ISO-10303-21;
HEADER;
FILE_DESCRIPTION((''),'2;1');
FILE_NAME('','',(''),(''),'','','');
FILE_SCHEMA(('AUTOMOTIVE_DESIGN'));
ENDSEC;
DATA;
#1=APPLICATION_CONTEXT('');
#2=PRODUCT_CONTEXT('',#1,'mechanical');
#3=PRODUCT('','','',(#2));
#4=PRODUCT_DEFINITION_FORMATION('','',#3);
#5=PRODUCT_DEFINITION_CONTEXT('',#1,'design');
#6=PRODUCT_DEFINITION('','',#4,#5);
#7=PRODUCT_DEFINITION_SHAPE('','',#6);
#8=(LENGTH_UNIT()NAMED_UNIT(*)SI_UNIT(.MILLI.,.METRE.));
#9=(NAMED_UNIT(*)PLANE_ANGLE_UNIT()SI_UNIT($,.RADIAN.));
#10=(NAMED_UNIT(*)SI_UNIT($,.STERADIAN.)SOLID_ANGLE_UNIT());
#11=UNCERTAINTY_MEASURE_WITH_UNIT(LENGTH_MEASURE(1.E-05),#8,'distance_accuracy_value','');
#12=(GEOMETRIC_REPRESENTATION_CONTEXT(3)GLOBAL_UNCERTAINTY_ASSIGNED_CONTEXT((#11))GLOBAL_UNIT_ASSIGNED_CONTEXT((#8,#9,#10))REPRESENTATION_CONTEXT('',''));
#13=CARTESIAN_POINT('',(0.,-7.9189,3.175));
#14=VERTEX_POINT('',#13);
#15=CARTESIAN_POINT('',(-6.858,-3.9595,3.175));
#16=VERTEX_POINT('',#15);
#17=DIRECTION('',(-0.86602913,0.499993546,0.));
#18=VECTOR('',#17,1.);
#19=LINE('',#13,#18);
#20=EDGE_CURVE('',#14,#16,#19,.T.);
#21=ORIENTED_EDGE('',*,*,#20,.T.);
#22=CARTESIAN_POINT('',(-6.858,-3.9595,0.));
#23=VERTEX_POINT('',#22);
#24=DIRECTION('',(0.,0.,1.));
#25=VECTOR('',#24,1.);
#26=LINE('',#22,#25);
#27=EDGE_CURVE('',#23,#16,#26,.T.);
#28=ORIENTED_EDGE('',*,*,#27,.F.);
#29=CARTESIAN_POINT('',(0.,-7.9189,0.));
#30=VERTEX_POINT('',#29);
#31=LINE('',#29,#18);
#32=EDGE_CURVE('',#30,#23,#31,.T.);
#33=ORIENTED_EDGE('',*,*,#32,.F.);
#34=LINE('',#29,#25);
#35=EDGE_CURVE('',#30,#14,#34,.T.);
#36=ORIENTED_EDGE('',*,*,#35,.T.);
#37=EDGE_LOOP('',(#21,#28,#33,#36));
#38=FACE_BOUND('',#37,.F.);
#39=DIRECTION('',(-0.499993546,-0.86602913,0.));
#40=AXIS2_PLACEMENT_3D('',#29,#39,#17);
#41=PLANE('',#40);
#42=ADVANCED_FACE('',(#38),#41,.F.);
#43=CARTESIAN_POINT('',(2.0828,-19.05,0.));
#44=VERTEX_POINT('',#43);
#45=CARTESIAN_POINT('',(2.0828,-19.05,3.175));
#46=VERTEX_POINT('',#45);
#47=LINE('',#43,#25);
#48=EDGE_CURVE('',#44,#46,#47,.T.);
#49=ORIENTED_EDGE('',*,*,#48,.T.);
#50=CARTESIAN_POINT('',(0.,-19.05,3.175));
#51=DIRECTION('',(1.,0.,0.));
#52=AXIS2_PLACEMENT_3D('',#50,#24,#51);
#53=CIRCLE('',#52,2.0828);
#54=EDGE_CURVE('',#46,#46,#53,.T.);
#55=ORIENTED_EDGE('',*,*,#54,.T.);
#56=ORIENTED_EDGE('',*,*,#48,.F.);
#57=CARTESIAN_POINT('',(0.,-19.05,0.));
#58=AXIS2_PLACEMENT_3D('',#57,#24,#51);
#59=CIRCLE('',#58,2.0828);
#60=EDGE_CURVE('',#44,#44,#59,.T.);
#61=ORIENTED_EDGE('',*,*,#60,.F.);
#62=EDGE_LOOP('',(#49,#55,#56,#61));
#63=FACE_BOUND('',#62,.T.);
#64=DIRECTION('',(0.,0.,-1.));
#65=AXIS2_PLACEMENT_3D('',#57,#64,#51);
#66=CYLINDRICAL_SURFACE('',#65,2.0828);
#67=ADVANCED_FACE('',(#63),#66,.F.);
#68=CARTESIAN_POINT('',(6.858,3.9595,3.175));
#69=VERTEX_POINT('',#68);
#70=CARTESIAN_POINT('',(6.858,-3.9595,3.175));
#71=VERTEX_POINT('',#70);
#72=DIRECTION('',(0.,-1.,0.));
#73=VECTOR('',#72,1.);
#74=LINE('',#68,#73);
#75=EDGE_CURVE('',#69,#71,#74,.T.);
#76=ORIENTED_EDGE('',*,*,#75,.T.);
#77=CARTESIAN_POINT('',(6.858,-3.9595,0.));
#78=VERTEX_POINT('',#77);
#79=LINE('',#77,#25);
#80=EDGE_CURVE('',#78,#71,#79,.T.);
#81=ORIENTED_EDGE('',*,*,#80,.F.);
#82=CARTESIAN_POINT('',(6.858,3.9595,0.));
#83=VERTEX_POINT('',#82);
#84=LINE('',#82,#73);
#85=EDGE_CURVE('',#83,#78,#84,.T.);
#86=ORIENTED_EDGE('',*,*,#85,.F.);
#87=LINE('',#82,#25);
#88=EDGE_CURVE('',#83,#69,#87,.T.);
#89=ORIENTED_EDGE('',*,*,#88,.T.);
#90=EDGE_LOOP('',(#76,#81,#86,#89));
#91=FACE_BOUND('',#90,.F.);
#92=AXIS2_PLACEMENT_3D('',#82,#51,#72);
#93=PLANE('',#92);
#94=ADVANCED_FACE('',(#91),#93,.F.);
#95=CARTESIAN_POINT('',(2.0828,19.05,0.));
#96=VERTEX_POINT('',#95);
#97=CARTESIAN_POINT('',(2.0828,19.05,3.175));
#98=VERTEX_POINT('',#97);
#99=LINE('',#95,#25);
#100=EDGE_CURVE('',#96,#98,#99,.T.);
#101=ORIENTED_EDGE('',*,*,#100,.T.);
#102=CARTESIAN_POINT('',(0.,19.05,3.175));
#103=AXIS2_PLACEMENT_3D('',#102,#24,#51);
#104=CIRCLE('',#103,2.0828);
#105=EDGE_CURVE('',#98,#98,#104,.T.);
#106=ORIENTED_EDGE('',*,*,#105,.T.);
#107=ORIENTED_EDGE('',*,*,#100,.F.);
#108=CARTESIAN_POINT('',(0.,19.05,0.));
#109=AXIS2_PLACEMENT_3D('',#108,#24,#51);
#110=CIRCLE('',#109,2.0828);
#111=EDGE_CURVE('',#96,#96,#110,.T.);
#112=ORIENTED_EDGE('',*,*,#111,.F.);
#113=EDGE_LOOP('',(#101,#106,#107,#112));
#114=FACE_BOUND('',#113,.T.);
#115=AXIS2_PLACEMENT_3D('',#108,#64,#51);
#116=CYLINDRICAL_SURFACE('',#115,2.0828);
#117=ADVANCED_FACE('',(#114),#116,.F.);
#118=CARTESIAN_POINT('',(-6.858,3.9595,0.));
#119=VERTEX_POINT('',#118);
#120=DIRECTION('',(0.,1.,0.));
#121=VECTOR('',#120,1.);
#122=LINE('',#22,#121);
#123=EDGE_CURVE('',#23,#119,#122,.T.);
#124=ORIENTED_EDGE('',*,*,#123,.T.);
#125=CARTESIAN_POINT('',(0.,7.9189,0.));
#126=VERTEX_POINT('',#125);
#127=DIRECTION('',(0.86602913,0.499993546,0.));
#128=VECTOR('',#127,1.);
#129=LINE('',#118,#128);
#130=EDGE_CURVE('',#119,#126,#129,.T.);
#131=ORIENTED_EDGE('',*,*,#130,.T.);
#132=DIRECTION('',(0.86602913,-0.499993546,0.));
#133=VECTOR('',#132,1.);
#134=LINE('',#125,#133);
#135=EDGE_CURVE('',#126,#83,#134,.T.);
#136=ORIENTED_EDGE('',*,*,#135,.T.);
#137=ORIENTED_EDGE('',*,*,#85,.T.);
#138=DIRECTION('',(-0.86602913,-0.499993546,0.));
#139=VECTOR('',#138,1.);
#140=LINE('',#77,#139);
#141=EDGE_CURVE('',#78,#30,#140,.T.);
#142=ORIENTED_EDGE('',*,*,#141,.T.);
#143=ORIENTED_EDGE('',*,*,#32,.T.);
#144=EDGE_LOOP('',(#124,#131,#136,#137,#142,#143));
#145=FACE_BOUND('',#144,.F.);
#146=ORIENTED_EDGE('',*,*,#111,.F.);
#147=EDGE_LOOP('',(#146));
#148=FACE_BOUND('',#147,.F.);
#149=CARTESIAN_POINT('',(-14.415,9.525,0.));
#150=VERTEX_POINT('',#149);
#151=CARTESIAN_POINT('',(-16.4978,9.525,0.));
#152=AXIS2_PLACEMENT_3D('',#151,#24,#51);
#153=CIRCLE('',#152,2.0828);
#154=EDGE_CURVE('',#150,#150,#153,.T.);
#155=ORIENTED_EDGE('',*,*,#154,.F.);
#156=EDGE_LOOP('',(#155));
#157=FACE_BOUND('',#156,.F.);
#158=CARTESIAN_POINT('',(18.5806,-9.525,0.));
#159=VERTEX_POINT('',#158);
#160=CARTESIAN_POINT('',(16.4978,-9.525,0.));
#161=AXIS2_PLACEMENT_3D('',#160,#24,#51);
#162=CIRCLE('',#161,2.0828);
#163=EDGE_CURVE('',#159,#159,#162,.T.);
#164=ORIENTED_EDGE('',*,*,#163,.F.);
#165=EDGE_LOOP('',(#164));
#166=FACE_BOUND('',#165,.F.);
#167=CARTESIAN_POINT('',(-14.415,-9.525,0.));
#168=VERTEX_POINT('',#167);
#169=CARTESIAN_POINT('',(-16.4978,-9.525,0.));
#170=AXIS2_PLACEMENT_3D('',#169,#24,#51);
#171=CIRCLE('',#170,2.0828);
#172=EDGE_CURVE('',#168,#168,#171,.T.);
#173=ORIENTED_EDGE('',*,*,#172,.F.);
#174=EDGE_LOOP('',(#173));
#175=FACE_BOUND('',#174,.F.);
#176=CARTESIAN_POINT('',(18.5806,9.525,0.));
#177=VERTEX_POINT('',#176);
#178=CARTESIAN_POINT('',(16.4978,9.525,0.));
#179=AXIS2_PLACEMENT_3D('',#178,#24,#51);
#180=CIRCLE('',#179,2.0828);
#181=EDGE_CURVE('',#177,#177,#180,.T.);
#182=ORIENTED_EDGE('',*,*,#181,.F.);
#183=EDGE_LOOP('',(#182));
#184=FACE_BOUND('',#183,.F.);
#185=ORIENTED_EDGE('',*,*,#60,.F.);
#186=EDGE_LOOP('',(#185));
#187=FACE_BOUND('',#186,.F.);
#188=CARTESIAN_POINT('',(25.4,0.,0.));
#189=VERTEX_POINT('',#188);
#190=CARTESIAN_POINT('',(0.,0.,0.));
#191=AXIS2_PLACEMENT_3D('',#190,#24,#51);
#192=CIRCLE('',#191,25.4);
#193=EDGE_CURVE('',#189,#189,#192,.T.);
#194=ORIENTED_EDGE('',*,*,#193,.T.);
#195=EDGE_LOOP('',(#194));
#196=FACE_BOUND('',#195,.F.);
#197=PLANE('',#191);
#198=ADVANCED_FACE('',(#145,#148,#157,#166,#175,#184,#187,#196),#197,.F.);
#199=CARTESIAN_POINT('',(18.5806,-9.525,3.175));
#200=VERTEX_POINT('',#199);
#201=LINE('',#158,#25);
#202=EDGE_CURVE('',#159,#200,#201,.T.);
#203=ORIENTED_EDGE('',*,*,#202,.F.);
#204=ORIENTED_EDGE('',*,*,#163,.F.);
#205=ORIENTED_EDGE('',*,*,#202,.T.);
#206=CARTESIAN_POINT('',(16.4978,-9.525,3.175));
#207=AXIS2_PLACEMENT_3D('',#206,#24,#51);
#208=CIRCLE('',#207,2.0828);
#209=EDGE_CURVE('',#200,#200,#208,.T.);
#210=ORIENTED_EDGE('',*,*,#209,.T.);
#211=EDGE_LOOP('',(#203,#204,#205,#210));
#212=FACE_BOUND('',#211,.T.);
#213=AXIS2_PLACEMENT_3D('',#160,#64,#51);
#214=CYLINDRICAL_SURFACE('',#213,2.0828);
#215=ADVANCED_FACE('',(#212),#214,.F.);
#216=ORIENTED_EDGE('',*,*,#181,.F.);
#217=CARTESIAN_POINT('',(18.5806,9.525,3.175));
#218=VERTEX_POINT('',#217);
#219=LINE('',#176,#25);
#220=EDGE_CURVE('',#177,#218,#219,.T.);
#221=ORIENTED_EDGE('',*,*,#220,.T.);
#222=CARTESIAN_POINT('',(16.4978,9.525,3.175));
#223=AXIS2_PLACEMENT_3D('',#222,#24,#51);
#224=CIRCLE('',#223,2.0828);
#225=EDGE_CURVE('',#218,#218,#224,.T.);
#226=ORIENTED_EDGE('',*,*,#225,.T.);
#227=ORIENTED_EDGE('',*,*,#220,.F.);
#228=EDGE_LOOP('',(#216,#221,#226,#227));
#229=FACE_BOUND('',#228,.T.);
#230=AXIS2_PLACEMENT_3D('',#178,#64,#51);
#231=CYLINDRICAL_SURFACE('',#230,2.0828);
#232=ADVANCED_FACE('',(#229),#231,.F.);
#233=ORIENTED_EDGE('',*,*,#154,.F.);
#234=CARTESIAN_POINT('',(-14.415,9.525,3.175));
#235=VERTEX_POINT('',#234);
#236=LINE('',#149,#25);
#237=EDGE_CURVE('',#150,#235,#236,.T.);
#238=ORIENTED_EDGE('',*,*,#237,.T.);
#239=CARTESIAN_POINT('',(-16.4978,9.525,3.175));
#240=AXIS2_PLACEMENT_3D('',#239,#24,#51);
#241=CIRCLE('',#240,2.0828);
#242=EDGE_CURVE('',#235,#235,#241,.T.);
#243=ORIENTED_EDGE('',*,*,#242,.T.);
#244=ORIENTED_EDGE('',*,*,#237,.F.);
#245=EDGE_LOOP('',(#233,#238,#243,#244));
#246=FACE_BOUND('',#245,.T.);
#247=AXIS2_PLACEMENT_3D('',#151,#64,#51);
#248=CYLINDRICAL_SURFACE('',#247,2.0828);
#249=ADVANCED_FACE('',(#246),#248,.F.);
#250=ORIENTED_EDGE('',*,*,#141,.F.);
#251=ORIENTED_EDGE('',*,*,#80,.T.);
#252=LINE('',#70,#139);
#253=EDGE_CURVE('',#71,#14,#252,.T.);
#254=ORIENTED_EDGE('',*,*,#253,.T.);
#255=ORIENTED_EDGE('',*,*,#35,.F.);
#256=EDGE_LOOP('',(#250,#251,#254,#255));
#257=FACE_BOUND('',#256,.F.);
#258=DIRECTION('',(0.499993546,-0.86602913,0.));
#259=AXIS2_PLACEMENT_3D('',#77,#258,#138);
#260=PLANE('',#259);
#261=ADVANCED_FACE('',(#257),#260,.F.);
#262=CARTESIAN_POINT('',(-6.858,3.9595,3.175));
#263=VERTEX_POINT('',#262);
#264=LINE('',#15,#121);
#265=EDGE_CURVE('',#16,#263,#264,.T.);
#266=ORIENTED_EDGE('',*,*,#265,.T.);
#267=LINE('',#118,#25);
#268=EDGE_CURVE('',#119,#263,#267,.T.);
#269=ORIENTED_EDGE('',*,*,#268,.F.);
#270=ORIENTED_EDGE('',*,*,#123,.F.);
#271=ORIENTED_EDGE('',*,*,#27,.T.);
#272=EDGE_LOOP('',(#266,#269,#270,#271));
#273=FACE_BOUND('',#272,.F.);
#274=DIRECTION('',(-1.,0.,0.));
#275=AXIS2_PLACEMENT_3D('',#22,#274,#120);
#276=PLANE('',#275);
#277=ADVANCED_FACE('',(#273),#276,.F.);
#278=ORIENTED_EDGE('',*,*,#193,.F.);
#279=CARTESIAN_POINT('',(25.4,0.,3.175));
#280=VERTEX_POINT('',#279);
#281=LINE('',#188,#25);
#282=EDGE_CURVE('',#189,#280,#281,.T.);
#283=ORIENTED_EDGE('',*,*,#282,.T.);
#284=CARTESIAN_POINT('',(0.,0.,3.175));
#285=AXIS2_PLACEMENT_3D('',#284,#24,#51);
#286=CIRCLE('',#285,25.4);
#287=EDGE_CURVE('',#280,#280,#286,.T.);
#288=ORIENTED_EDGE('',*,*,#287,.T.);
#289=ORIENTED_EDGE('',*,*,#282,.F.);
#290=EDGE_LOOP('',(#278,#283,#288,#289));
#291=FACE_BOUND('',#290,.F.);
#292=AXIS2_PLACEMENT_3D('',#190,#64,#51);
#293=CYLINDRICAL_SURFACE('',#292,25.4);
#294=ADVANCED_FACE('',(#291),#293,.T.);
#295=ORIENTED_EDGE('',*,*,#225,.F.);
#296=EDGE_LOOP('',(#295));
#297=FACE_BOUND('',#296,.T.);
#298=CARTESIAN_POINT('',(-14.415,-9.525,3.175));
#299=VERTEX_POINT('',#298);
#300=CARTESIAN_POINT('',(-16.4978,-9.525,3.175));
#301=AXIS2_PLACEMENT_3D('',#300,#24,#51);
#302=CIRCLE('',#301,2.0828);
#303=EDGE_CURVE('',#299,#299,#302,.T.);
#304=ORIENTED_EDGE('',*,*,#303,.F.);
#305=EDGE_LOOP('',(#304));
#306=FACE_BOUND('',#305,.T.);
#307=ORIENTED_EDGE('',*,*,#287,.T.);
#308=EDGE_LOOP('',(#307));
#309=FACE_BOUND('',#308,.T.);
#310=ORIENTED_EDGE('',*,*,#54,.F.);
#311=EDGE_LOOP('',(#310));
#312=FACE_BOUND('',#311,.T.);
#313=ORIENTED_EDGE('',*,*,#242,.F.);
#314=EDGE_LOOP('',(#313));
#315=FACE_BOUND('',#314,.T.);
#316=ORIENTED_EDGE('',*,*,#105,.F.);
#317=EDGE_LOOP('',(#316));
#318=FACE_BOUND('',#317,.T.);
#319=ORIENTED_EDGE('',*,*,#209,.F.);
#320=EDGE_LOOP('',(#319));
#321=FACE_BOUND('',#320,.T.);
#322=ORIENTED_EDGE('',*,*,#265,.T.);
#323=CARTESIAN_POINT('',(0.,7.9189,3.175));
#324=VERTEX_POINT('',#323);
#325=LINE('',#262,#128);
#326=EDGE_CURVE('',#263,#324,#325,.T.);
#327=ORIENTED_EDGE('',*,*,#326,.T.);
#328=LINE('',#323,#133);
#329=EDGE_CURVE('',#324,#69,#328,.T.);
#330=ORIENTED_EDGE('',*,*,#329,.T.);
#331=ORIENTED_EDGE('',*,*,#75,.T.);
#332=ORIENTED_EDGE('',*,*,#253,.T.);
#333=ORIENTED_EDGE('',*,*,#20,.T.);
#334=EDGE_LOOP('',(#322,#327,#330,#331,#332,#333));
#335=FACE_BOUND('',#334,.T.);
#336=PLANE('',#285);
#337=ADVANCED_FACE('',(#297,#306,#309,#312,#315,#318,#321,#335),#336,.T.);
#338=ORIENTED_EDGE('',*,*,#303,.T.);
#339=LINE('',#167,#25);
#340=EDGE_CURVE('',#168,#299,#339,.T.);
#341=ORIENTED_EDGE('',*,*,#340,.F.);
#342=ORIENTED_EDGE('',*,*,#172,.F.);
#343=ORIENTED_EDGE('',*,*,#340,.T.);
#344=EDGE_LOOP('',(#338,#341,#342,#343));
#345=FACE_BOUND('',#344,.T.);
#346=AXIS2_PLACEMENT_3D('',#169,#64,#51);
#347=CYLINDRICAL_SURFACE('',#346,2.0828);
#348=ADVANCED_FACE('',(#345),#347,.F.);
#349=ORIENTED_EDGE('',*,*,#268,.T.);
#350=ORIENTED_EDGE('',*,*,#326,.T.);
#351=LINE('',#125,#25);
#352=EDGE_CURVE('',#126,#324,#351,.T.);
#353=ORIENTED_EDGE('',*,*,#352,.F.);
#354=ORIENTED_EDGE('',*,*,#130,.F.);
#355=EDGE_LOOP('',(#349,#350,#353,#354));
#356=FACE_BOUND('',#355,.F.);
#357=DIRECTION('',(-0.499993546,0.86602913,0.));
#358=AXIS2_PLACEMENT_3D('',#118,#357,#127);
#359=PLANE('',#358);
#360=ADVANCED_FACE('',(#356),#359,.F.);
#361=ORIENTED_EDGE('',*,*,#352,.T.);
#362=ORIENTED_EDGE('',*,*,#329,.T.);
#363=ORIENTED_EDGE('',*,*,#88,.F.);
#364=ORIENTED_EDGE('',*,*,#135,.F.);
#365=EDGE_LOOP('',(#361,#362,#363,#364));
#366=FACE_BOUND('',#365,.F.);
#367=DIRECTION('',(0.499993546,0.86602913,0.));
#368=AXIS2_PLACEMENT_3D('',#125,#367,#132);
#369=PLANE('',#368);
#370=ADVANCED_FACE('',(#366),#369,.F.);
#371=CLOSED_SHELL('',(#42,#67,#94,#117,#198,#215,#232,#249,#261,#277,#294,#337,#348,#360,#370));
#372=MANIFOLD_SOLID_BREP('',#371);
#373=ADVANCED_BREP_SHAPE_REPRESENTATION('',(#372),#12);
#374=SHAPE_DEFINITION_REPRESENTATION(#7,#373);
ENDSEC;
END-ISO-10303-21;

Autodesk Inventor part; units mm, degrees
ref_plane "YZ Plane" through (0, 0, 0) normal (1, 0, 0) x (0, 1, 0)
ref_plane "XZ Plane" through (0, 0, 0) normal (0, 1, 0) x (-1, 0, 0)
ref_plane "XY Plane" through (0, 0, 0) normal (0, 0, 1) x (1, 0, 0)
sketch "Sketch1" plane through (0, 0, 0) normal (0, 0, 1) x (1, 0, 0)
  circle A0 centre (0, 0) radius 25.4
  circle A1 centre (0, 19.05) radius 2.0828
  line L0 (0, 0) -> (0, 19.05) construction
  circle A2 centre (-16.4978, 9.525) radius 2.0828
  circle A3 centre (-16.4978, -9.525) radius 2.0828
  circle A4 centre (0, -19.05) radius 2.0828
  circle A5 centre (16.4978, -9.525) radius 2.0828
  circle A6 centre (16.4978, 9.525) radius 2.0828
  line L1 (6.858, -3.9595) -> (0, -7.9189)
  line L2 (0, -7.9189) -> (-6.858, -3.9595)
  line L3 (-6.858, -3.9595) -> (-6.858, 3.9595)
  line L4 (-6.858, 3.9595) -> (0, 7.9189)
  line L5 (0, 7.9189) -> (6.858, 3.9595)
  line L6 (6.858, 3.9595) -> (6.858, -3.9595)
  dimension "d0" = 50.8
  dimension "d2" = 4.1656
  dimension "d3" = 19.05
  dimension "d6" = 360
  dimension "d10" = 13.716
extrude "Extrusion1" add sketch "Sketch1" along normal blind 3.175
properties part number "Hex Shaft Connector (Lexan)" material "Aluminum 6061"
